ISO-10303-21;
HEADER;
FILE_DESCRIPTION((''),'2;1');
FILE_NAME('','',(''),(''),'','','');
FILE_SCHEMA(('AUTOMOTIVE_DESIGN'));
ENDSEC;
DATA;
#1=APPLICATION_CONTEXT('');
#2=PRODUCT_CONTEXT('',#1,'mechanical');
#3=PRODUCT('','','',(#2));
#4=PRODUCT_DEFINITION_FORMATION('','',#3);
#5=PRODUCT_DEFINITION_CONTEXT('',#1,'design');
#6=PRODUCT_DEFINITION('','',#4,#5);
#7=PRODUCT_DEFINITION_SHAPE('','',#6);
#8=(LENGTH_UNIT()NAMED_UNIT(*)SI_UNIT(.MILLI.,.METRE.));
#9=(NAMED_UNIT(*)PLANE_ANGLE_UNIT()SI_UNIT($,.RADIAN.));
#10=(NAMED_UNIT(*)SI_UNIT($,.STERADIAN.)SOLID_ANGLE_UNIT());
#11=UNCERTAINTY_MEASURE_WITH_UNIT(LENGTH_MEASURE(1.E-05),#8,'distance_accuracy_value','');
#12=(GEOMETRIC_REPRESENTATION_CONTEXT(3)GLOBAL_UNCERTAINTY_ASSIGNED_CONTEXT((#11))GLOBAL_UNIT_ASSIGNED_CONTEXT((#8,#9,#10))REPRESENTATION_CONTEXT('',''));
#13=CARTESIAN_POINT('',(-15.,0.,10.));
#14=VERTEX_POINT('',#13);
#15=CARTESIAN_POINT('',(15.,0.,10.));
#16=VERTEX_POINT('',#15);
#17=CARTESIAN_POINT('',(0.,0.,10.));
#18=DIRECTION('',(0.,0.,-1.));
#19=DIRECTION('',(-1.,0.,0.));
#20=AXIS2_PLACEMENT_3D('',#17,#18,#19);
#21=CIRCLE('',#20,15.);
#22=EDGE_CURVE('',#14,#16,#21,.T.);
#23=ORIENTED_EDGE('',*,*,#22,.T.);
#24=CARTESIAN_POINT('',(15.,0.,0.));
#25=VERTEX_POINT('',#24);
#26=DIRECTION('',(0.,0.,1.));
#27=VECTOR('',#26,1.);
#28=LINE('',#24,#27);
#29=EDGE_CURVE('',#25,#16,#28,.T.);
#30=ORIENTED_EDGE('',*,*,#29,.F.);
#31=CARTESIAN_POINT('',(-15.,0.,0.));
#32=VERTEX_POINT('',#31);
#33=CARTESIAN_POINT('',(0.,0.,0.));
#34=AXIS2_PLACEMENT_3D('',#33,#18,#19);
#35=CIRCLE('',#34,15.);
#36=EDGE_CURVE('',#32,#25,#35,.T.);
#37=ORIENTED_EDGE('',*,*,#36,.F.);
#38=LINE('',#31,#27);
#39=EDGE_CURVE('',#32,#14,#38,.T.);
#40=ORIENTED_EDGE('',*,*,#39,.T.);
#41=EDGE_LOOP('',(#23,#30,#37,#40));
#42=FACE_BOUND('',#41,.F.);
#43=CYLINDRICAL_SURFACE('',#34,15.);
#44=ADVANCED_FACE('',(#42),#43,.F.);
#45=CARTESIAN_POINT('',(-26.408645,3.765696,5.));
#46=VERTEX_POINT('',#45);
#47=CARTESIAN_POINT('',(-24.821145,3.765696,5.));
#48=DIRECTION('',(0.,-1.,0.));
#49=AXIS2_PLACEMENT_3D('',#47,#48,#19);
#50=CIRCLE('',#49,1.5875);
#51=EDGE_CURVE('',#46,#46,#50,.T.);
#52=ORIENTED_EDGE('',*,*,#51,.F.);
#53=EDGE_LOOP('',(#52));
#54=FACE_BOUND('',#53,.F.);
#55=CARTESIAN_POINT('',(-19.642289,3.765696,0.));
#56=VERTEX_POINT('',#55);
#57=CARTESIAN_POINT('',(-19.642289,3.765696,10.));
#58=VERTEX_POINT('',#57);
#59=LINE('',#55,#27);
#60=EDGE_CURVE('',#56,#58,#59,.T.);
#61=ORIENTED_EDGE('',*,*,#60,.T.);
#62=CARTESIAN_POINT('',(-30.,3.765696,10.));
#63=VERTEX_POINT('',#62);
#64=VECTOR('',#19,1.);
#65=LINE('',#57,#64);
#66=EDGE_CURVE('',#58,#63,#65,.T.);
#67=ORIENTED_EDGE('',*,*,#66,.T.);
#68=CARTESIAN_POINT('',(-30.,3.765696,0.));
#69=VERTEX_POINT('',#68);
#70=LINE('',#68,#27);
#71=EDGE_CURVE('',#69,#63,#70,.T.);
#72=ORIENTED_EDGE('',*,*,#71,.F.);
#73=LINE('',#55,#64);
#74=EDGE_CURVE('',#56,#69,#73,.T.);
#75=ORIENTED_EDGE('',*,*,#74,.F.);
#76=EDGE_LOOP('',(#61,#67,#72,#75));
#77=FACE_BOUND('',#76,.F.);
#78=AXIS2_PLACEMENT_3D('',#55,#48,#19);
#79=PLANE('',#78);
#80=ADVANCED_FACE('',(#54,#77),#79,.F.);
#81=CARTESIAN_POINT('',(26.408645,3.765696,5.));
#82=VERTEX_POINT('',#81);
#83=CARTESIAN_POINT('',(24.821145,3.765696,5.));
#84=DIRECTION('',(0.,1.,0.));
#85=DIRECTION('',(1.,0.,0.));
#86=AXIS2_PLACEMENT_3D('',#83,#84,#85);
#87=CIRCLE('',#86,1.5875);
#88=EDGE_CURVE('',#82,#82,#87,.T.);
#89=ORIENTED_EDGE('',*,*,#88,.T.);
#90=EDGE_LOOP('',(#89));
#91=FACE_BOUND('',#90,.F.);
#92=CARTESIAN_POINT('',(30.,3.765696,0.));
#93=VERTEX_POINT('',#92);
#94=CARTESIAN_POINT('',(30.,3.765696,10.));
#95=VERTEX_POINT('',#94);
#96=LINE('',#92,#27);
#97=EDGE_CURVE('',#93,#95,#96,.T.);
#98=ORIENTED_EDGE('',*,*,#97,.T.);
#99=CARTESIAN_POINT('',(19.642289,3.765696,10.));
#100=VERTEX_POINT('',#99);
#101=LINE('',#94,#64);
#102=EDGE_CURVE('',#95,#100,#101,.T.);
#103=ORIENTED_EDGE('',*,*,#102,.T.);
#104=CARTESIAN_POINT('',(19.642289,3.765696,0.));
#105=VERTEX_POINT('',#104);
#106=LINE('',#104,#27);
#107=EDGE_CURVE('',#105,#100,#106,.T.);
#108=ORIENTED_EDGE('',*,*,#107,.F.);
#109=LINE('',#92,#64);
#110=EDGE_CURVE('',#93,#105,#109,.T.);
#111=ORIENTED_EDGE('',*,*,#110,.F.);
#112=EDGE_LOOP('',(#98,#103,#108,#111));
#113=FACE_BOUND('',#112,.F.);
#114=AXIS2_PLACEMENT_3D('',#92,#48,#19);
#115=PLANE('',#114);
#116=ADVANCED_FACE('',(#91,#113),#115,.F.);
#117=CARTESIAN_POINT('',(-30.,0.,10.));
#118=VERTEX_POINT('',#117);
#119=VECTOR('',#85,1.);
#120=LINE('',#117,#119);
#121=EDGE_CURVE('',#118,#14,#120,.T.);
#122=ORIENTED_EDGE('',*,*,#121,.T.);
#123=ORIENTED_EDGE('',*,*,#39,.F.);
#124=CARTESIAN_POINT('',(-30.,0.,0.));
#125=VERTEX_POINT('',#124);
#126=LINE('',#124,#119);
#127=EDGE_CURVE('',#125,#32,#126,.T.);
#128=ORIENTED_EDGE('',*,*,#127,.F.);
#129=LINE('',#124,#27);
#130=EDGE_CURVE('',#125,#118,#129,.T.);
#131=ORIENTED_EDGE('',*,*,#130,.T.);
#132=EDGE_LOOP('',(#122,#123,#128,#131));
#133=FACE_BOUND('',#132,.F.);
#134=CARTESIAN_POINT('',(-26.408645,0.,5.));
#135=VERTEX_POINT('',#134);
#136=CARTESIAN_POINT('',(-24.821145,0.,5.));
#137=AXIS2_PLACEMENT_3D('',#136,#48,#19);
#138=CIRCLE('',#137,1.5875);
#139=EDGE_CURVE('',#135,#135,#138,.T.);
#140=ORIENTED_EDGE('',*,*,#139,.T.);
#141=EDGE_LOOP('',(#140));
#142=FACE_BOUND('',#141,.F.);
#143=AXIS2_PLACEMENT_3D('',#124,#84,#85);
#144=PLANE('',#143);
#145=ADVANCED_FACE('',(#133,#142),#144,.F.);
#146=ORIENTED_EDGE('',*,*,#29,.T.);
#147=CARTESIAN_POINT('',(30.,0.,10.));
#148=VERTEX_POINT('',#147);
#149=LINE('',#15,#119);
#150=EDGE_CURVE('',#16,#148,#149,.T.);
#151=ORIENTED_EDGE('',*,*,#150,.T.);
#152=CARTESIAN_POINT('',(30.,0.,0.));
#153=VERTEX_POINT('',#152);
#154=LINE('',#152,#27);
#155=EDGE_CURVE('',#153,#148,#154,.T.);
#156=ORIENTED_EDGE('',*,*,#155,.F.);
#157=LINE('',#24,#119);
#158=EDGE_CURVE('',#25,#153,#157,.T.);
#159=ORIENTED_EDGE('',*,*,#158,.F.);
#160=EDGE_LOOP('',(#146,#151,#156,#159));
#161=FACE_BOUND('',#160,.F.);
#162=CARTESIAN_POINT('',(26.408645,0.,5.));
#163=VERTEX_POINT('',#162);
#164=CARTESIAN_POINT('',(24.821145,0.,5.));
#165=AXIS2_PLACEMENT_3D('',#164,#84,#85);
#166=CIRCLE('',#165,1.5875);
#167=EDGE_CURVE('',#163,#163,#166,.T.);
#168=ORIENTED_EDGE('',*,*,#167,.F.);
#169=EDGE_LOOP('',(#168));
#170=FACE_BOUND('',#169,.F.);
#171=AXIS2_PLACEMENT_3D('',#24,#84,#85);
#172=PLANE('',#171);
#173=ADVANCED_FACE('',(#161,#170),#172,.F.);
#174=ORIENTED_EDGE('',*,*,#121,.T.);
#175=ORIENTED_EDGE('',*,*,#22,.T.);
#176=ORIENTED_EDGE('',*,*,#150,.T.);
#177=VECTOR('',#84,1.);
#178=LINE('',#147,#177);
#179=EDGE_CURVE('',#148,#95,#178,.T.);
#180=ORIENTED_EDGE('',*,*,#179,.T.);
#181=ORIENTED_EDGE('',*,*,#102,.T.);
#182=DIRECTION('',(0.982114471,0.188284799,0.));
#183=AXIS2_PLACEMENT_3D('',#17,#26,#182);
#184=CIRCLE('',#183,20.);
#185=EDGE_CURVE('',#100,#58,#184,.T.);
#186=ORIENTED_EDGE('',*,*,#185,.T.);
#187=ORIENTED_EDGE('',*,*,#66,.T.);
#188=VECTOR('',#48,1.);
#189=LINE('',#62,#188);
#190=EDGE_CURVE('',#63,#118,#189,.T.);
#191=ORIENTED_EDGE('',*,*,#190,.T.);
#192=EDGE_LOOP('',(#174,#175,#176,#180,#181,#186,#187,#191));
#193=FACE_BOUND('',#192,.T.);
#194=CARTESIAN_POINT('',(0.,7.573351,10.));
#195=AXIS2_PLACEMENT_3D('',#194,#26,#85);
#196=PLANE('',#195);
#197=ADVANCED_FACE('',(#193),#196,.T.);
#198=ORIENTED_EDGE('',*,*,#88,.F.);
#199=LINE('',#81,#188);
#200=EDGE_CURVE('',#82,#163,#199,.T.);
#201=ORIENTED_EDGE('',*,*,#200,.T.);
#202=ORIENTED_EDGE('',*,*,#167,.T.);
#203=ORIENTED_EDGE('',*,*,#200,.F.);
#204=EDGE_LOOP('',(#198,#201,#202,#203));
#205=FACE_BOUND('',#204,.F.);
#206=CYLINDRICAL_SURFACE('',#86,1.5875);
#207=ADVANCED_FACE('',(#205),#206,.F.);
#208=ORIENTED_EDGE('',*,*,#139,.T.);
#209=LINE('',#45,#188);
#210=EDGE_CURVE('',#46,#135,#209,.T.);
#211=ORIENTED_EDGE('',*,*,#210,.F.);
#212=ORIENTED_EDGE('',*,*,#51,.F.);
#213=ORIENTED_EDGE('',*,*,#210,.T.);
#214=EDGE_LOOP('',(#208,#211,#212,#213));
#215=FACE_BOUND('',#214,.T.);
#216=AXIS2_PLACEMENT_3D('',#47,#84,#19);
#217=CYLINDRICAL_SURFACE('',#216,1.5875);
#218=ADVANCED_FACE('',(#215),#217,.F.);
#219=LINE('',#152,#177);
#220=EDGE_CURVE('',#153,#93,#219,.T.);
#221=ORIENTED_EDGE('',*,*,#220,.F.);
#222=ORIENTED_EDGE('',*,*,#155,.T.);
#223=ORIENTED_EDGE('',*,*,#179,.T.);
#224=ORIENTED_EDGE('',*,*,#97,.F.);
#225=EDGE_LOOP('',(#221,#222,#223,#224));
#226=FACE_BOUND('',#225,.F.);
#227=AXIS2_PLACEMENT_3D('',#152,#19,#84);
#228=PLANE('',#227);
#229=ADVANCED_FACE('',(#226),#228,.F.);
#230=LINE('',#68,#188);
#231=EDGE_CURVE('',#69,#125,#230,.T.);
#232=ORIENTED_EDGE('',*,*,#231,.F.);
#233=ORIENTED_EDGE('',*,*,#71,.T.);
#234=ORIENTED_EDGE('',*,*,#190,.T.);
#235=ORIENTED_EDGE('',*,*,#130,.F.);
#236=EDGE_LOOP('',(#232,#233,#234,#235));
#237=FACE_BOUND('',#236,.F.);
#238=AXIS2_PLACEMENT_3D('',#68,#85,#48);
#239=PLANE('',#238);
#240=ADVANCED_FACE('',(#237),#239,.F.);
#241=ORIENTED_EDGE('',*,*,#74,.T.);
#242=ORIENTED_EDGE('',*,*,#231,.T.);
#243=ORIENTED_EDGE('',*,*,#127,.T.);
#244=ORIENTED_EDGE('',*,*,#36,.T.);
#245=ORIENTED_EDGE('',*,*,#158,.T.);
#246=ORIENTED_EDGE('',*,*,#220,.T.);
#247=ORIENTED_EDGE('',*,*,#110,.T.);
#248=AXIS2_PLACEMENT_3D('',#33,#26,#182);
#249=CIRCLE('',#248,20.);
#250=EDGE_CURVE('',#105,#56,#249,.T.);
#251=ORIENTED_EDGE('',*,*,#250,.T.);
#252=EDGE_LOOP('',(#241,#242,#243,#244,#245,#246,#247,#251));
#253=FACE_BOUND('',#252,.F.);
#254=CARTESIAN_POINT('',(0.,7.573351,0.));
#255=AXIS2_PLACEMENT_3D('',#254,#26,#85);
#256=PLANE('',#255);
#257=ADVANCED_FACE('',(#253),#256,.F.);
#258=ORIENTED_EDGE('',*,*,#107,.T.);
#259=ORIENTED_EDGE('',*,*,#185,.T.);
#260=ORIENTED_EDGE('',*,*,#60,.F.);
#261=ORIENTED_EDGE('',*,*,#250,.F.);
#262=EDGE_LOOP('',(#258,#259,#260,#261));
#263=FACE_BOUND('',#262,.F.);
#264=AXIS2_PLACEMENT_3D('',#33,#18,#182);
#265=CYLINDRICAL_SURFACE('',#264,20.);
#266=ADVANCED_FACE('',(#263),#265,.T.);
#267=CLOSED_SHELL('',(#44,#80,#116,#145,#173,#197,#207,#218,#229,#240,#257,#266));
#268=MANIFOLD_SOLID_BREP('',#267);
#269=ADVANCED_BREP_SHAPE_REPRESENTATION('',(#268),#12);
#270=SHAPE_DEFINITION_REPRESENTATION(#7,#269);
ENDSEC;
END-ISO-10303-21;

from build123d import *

# Parameters (mm, degrees)
BOSS_EXTRUDE1_DEPTH = 10
SKETCH2_R           = 1.5875
CUT_EXTRUDE1_DEPTH  = 3.765696


with BuildPart() as part:
    # Sketch1 → Boss-Extrude1 (new body)
    with BuildSketch(Plane.XY):
        with BuildLine():
            Line((-20, 0), (-15, 0))
            ThreePointArc((-15, 0), (0, 15), (15, 0))
            Line((15, 0), (20, 0))
            Line((20, 0), (30, 0))
            Line((30, 0), (30, 3.765695973))
            Line((30, 3.765695973), (19.642289425, 3.765695973))
            ThreePointArc((19.642289425, 3.765695973), (0, 20), (-19.642289425, 3.765695973))
            Line((-19.642289425, 3.765695973), (-30, 3.765695973))
            Line((-30, 3.765695973), (-30, 0))
            Line((-30, 0), (-20, 0))
        make_face()
    extrude(amount=BOSS_EXTRUDE1_DEPTH)

    # Sketch2 → Cut-Extrude1 (cut)
    with BuildSketch(Plane(origin=(0, 3.765695973, 0), x_dir=(1, 0, 0), z_dir=(0, 1, 0))):
        with Locations((24.821144712, -5)):
            Circle(SKETCH2_R)
    cut_extrude1 = extrude(amount=-CUT_EXTRUDE1_DEPTH, mode=Mode.SUBTRACT)

    # Mirror1: Cut-Extrude1 across plane
    add(cut_extrude1.mirror(Plane.ZY), mode=Mode.SUBTRACT)


solid = part.part
